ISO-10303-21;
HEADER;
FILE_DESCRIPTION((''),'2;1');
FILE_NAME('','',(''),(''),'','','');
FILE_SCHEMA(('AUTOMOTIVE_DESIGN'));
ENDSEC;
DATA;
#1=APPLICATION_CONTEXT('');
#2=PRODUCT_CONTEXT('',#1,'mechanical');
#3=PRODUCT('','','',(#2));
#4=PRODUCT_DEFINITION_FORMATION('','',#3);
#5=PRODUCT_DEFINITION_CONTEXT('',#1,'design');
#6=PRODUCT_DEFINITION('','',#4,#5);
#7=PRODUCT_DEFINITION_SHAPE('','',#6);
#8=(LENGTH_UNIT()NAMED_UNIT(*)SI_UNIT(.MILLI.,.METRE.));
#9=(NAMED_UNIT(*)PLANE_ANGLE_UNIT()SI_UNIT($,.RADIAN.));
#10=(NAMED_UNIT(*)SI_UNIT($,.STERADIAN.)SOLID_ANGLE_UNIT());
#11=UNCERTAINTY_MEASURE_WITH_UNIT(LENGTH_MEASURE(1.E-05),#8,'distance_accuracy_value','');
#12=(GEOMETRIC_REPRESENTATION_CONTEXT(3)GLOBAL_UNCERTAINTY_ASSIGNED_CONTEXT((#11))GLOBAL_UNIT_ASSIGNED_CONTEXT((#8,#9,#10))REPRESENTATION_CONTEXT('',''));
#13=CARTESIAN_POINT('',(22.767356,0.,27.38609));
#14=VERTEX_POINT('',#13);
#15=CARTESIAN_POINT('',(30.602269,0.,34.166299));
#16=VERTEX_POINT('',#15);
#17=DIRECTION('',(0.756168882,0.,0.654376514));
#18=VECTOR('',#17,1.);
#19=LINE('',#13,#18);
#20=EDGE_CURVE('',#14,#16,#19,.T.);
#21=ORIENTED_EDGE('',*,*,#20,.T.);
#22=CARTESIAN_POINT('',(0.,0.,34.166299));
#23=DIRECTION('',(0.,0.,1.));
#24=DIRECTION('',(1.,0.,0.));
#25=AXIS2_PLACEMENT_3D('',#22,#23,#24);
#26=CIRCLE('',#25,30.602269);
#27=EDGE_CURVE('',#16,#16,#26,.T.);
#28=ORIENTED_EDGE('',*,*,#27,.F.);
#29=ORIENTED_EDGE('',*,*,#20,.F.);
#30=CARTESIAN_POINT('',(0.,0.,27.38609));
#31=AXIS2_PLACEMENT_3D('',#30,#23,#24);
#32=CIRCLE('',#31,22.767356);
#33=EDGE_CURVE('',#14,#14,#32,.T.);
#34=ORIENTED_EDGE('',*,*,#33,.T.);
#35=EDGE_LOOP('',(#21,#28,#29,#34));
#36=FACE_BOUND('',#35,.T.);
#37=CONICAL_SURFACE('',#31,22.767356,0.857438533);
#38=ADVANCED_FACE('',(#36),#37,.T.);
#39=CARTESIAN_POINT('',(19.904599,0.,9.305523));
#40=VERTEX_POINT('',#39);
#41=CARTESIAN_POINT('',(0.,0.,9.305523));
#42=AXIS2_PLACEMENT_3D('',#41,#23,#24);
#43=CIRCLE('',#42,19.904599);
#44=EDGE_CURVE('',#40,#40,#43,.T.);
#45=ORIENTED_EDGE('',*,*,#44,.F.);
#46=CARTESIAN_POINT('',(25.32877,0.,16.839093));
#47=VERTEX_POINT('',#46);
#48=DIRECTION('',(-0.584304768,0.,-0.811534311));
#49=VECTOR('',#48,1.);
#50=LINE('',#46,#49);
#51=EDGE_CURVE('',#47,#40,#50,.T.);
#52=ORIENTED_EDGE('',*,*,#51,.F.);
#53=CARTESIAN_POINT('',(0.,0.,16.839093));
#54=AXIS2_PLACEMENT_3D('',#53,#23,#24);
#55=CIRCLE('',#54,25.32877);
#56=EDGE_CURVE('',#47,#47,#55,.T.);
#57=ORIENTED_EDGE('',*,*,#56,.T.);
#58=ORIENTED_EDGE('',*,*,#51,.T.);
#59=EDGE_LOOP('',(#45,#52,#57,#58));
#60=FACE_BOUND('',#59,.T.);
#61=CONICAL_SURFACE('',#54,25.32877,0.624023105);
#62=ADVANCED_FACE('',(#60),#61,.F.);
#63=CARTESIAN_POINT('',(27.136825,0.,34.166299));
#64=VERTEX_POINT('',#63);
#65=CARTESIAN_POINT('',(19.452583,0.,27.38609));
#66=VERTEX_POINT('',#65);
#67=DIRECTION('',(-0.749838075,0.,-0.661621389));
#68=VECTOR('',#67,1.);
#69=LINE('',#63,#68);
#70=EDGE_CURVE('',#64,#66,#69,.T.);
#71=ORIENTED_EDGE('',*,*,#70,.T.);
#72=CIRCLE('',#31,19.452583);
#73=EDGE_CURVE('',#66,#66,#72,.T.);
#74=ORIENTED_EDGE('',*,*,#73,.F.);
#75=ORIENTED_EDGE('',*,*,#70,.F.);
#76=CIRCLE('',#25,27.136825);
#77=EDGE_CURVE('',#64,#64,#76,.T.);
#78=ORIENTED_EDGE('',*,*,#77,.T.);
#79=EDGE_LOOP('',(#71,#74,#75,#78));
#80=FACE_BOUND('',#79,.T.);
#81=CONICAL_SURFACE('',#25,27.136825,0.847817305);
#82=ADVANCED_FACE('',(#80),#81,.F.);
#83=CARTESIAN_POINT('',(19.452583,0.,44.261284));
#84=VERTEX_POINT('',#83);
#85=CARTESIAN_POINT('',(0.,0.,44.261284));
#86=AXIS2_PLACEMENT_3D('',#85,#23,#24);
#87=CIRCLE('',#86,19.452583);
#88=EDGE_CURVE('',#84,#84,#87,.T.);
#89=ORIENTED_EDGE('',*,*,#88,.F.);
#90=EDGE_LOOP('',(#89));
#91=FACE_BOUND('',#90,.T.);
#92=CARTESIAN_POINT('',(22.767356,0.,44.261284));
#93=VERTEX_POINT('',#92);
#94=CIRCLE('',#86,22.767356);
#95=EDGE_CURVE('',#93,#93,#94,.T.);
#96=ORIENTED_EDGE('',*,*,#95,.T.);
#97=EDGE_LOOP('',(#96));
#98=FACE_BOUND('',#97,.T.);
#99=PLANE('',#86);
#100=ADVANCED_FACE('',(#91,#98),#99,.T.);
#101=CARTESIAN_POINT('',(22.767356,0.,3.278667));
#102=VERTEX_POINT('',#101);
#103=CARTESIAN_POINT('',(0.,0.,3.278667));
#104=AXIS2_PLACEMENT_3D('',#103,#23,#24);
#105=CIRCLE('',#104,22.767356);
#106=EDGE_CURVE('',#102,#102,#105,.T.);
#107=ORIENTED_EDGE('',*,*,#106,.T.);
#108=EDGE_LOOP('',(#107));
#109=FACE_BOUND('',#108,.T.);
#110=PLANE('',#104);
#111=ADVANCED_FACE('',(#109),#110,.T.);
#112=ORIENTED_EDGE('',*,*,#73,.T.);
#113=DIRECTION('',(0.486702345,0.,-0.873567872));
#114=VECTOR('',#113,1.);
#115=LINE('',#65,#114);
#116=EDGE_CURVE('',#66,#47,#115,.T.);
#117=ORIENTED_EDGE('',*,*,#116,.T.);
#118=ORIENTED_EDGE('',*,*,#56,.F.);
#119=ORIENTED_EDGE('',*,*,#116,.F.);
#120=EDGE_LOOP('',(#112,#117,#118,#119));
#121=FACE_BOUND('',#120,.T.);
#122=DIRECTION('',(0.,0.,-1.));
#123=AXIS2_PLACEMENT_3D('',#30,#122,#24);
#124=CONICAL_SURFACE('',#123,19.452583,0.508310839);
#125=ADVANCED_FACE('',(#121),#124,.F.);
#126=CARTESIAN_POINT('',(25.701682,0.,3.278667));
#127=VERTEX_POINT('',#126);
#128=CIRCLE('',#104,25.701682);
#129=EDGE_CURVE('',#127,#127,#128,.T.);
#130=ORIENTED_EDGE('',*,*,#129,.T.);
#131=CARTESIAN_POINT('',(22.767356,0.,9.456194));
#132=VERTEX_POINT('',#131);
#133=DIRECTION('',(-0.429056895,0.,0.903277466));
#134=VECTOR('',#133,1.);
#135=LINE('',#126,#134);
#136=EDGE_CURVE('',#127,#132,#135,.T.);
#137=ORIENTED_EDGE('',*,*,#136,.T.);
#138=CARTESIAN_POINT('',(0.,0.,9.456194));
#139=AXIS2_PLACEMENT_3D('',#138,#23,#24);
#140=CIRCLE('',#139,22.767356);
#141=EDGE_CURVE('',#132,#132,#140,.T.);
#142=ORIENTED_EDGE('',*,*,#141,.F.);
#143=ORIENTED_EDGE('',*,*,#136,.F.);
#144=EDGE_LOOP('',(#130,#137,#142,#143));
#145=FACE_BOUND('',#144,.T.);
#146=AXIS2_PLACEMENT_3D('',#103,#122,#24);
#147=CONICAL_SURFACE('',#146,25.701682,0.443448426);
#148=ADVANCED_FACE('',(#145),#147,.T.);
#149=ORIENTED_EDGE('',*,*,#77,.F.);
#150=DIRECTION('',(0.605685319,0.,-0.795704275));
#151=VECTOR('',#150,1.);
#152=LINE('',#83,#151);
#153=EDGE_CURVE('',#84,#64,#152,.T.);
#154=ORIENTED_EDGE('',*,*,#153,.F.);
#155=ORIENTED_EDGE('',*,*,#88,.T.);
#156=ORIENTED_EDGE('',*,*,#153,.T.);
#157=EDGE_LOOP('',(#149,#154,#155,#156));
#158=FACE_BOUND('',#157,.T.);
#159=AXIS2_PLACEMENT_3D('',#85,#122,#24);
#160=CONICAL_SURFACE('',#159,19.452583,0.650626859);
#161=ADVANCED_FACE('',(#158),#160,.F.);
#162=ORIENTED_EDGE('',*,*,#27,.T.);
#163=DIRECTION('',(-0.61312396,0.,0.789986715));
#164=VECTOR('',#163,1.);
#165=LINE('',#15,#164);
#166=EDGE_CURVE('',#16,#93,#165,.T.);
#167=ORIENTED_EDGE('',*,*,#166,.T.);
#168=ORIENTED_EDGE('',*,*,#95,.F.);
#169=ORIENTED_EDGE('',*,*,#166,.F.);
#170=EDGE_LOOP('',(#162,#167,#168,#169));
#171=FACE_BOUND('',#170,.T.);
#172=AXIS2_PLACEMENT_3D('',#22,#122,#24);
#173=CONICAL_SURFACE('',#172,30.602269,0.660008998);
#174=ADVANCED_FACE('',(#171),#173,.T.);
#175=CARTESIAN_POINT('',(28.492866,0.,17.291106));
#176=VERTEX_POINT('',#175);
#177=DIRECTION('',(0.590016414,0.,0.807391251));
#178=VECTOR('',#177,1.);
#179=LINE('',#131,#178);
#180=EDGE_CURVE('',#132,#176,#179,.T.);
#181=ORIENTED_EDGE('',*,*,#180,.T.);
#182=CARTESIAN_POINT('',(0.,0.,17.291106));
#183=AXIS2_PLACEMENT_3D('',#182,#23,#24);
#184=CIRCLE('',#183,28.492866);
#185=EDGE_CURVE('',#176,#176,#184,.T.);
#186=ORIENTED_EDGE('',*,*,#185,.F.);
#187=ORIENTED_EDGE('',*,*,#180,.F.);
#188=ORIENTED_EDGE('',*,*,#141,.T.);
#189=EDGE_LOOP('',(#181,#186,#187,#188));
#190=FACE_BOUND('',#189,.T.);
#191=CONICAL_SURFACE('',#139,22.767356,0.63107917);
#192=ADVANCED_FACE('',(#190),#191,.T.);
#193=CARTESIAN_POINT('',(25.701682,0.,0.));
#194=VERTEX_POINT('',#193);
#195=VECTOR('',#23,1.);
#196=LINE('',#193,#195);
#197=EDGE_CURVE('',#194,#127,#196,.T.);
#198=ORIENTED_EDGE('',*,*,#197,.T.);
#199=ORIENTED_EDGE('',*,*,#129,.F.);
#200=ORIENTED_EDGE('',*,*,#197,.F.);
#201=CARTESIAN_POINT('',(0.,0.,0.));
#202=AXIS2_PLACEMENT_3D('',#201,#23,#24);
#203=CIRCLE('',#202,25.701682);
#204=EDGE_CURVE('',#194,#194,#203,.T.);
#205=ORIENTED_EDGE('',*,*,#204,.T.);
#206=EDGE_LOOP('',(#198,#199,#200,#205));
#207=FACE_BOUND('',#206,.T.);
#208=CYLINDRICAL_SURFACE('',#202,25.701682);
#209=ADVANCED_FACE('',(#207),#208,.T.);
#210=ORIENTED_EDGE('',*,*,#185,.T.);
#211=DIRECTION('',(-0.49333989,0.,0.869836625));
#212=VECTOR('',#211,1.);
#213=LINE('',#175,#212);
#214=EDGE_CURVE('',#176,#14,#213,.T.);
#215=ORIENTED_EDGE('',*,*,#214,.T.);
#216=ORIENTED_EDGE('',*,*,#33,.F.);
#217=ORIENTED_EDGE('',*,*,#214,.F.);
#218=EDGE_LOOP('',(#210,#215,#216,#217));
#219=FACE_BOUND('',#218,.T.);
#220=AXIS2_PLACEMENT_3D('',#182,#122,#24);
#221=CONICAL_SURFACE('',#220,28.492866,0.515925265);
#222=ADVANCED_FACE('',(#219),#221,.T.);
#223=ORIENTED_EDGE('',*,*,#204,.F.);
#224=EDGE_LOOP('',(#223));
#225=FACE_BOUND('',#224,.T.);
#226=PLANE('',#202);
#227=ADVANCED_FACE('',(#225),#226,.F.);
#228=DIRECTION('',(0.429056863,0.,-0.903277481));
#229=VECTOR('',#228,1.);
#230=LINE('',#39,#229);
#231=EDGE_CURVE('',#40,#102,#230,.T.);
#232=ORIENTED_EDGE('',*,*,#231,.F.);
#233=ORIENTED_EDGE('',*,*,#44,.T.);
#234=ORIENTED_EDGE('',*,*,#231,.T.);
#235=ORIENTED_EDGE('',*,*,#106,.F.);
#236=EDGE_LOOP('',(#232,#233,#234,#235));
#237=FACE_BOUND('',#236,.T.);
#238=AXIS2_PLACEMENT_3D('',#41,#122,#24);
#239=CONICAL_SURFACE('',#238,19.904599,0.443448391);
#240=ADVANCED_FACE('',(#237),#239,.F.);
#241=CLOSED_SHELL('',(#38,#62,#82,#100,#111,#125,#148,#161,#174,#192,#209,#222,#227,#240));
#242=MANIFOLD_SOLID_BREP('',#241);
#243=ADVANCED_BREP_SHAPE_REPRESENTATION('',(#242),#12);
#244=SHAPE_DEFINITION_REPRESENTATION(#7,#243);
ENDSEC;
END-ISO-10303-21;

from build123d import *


with BuildPart() as f1:
    # F0 (on Front) → F1 (revolve)
    with BuildSketch(Plane.XZ):
        Polygon((22.767356, 3.278667), (0, 3.278667), (0, 0), (25.701682, 0), (25.701682, 3.278667), (22.767356, 9.456194), (28.492866, 17.291106), (22.767356, 27.38609), (30.602269, 34.166299), (22.767356, 44.261284), (19.452583, 44.261284), (27.136825, 34.166299), (19.452583, 27.38609), (25.32877, 16.839093), (19.904599, 9.305523), align=None)
    revolve(axis=Axis((0, 0, 1.639334), (0, 0, 1)))


solid = f1.part
